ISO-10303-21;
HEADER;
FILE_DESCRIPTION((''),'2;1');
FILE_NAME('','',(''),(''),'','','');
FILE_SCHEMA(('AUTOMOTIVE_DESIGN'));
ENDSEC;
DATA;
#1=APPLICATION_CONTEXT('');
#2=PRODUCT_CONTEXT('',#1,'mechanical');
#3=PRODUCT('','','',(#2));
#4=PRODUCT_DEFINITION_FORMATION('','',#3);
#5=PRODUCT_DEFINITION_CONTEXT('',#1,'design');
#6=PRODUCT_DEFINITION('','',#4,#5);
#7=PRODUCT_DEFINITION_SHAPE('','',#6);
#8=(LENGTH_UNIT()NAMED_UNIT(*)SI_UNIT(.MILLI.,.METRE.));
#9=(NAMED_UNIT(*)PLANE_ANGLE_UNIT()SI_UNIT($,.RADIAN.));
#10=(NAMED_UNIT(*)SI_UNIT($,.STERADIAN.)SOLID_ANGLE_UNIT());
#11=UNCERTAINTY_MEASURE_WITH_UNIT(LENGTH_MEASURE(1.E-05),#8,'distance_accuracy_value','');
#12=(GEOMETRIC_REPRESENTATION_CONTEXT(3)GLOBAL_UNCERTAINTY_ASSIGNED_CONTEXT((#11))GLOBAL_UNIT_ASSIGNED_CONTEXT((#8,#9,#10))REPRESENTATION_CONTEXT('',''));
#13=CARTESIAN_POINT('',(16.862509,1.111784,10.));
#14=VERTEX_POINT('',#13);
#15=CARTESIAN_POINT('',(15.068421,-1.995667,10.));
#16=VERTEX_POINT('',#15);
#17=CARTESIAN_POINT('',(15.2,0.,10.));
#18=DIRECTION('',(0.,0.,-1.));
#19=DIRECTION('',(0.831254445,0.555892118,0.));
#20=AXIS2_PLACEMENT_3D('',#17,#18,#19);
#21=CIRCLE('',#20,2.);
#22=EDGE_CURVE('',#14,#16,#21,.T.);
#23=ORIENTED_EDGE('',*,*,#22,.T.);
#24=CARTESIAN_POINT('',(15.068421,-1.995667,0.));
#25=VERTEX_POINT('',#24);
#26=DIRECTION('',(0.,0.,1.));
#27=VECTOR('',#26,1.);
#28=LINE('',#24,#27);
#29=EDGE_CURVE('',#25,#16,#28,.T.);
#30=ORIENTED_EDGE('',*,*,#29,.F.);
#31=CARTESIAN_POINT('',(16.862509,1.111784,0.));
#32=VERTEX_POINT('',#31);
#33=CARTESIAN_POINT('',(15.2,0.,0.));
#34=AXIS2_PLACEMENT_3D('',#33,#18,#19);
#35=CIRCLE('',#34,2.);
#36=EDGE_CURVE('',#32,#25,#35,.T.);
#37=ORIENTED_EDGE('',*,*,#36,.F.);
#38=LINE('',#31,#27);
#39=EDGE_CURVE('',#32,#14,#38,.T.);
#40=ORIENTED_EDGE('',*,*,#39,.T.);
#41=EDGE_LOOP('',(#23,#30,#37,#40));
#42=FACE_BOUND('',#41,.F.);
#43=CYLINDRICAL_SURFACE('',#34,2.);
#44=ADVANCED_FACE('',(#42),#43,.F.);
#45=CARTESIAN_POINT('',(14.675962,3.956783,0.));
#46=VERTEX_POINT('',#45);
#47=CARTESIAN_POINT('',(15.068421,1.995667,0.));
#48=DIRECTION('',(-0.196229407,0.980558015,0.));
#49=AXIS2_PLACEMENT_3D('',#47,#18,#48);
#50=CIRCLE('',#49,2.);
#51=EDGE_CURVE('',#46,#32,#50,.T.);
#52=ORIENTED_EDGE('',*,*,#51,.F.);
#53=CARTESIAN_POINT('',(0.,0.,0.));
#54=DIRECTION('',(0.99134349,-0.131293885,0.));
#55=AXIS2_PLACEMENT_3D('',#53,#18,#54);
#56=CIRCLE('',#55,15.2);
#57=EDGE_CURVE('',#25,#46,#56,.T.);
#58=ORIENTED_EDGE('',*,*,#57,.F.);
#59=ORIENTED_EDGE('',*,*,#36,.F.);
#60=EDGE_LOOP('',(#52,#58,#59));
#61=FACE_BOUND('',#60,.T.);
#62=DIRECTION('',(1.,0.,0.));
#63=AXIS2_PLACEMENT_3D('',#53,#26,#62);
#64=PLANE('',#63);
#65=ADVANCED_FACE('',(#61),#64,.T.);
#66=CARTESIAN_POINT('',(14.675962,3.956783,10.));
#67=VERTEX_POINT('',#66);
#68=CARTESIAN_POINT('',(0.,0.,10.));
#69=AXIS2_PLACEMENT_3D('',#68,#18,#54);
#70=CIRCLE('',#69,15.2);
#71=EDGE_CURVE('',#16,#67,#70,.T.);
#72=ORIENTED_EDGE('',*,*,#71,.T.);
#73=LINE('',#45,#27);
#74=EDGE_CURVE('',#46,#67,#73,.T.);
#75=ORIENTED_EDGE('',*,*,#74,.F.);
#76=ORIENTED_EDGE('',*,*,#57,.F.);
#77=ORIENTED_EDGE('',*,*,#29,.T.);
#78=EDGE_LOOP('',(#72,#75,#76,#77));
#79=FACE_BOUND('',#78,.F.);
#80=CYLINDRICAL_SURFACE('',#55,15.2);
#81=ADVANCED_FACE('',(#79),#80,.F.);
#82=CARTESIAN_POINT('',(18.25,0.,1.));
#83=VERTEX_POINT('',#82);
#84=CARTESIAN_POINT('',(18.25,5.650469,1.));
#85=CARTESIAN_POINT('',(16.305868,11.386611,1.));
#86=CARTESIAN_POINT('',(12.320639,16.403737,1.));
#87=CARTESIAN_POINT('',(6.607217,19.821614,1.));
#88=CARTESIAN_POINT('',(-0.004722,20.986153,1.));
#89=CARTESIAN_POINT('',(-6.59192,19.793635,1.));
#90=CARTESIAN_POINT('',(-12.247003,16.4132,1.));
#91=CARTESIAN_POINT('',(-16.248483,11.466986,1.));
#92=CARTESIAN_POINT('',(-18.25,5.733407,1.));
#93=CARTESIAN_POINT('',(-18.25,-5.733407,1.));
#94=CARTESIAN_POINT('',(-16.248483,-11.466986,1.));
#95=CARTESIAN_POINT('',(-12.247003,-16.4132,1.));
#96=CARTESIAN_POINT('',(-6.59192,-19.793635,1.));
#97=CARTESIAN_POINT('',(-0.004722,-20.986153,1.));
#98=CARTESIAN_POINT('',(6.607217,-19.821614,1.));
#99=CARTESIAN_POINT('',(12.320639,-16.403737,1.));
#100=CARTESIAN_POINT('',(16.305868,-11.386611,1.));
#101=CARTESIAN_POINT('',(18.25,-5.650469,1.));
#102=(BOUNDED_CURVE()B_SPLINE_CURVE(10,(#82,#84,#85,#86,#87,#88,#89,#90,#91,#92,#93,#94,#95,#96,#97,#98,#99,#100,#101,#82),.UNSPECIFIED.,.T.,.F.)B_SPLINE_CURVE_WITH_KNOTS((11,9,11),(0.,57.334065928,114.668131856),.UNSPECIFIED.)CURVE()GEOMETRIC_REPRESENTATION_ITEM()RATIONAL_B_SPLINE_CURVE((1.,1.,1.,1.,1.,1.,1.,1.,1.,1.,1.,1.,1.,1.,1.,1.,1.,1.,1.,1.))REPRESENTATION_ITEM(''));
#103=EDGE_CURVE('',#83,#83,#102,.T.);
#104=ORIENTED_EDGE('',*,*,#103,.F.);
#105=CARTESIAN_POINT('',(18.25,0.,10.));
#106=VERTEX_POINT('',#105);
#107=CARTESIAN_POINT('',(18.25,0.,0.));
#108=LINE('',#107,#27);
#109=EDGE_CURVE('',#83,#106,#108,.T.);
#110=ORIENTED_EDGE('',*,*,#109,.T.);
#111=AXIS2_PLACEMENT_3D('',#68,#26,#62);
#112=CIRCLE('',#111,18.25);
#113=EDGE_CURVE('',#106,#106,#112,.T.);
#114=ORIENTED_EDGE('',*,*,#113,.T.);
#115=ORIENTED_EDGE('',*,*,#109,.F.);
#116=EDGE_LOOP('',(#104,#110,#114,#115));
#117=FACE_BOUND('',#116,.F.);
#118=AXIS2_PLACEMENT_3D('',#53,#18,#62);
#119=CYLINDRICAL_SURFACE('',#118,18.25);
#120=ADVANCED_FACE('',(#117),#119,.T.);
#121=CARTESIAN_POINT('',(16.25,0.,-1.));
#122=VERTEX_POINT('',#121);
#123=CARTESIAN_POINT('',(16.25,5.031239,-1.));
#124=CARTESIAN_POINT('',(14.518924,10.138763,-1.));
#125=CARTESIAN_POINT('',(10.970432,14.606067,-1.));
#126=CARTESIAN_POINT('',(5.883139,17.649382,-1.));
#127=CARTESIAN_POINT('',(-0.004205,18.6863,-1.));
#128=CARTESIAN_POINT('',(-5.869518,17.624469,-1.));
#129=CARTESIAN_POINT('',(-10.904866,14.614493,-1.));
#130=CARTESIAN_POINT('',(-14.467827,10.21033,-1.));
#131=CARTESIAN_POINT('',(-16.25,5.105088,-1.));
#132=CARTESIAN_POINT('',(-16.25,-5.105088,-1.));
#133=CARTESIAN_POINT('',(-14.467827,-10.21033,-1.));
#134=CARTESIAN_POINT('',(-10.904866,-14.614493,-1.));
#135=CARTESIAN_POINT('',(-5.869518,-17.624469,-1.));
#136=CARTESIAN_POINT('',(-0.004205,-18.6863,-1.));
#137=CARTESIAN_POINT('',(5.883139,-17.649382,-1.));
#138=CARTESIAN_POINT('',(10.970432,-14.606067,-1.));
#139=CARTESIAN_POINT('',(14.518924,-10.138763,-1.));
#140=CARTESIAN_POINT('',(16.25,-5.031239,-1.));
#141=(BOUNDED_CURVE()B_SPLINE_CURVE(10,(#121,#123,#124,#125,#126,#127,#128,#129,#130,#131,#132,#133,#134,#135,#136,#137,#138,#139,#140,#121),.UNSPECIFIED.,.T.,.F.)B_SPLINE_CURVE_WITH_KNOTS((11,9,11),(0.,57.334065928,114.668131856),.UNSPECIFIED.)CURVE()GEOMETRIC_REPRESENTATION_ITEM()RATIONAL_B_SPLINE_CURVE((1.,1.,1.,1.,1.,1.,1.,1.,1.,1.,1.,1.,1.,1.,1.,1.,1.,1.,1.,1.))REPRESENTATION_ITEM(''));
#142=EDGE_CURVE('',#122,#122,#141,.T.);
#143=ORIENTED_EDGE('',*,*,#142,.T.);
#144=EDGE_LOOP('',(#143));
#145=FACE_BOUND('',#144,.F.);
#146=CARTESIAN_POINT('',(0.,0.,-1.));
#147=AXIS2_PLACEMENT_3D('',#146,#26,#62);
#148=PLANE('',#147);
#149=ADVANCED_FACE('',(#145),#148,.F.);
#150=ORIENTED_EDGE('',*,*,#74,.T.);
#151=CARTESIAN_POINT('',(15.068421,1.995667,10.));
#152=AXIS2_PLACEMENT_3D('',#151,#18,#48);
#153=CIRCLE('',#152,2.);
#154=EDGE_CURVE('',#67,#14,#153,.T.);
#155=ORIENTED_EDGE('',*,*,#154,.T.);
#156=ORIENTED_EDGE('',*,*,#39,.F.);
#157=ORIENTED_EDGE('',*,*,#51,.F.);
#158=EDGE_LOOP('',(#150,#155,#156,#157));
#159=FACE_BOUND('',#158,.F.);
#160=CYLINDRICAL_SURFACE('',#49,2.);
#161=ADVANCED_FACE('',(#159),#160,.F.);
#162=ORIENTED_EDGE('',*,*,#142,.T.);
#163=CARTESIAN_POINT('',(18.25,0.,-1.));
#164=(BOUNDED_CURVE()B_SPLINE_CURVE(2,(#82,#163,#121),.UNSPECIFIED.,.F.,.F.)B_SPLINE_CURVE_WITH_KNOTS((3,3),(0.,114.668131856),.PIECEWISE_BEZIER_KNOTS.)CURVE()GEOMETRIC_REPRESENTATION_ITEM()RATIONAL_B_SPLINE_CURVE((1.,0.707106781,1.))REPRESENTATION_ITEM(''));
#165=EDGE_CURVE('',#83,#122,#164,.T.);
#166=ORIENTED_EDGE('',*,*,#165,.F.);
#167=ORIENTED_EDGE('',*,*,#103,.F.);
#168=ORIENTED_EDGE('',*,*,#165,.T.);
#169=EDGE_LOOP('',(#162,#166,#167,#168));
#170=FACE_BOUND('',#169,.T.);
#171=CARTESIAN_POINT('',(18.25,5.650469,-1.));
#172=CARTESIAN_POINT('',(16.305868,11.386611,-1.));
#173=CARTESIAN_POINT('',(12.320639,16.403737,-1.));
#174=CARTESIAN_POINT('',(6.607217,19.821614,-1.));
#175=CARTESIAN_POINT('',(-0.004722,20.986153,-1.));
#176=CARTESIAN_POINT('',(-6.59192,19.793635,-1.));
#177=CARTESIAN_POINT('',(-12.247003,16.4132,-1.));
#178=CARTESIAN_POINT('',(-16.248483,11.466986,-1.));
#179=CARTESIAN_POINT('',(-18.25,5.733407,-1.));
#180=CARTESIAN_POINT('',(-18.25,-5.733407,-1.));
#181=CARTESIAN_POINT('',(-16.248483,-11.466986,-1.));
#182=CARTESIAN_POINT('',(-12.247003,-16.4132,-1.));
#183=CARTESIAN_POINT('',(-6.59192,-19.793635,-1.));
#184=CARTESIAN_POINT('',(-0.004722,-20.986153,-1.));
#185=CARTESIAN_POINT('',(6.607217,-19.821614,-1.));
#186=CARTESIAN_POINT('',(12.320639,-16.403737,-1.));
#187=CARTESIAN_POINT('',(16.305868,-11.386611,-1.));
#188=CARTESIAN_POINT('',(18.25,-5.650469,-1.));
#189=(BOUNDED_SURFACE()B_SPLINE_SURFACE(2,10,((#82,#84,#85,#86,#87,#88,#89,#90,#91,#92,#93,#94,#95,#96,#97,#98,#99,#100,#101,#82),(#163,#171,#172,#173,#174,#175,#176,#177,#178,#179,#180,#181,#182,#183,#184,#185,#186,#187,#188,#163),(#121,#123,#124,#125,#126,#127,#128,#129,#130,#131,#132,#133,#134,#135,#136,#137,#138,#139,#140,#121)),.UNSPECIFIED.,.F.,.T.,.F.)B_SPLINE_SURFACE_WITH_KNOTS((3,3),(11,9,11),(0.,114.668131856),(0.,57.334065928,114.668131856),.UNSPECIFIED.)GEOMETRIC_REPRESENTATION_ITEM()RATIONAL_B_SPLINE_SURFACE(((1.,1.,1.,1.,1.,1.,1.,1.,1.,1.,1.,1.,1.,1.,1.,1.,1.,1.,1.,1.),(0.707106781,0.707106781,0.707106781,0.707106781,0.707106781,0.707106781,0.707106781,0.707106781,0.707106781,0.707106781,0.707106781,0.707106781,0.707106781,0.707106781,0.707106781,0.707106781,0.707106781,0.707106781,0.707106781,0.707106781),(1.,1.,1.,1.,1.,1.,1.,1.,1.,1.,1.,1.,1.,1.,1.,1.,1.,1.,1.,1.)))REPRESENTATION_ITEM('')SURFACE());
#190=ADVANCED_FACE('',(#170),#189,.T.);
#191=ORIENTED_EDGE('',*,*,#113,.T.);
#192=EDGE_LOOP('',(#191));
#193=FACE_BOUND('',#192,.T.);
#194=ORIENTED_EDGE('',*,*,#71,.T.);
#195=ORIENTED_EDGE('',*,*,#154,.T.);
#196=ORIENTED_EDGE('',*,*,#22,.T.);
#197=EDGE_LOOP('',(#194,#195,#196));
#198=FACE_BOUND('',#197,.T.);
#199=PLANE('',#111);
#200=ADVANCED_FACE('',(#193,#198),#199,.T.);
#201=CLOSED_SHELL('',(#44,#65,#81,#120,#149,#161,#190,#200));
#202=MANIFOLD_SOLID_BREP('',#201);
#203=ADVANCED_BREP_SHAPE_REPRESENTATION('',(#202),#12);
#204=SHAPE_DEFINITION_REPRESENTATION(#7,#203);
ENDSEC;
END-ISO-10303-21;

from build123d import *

# Parameters (mm, degrees)
F0_R     = 18.25
F1_DEPTH = 1
F2_DEPTH = 10
F3_R     = 2


with BuildPart() as f1:
    # F0 (on Top) → F1 (new body)
    with BuildSketch(Plane.XY):
        Circle(F0_R)
        with BuildLine():
            ThreePointArc((15.0684210526, -1.9956670515), (-15.1670695917, -1), (14.6759622394, 3.9567830807))
            ThreePointArc((14.6759622394, 3.9567830807), (16.6541844606, 3.2144182213), (16.8625088904, 1.1117842368))
            ThreePointArc((16.8625088904, 1.1117842368), (16.9320508076, -1), (15.0684210526, -1.9956670515))
        make_face(mode=Mode.SUBTRACT)
        with BuildLine():
            ThreePointArc((16.8625088904, 1.1117842368), (16.6541844606, 3.2144182213), (14.6759622394, 3.9567830807))
            ThreePointArc((14.6759622394, 3.9567830807), (-15.1670695917, -1), (15.0684210526, -1.9956670515))
            ThreePointArc((15.0684210526, -1.9956670515), (16.9320508076, -1), (16.8625088904, 1.1117842368))
        make_face()
    extrude(amount=-F1_DEPTH)

    # F0 (on Top) → F2 (join)
    with BuildSketch(Plane.XY):
        Circle(F0_R)
        with BuildLine():
            ThreePointArc((15.0684210526, -1.9956670515), (-15.1670695917, -1), (14.6759622394, 3.9567830807))
            ThreePointArc((14.6759622394, 3.9567830807), (16.6541844606, 3.2144182213), (16.8625088904, 1.1117842368))
            ThreePointArc((16.8625088904, 1.1117842368), (16.9320508076, -1), (15.0684210526, -1.9956670515))
        make_face(mode=Mode.SUBTRACT)
    extrude(amount=F2_DEPTH)

    # F3
    f3_edges = [f1.edges().sort_by_distance(p)[0] for p in [
        (-18.25, 0, -1),
    ]]
    fillet(f3_edges, radius=F3_R)


solid = f1.part
